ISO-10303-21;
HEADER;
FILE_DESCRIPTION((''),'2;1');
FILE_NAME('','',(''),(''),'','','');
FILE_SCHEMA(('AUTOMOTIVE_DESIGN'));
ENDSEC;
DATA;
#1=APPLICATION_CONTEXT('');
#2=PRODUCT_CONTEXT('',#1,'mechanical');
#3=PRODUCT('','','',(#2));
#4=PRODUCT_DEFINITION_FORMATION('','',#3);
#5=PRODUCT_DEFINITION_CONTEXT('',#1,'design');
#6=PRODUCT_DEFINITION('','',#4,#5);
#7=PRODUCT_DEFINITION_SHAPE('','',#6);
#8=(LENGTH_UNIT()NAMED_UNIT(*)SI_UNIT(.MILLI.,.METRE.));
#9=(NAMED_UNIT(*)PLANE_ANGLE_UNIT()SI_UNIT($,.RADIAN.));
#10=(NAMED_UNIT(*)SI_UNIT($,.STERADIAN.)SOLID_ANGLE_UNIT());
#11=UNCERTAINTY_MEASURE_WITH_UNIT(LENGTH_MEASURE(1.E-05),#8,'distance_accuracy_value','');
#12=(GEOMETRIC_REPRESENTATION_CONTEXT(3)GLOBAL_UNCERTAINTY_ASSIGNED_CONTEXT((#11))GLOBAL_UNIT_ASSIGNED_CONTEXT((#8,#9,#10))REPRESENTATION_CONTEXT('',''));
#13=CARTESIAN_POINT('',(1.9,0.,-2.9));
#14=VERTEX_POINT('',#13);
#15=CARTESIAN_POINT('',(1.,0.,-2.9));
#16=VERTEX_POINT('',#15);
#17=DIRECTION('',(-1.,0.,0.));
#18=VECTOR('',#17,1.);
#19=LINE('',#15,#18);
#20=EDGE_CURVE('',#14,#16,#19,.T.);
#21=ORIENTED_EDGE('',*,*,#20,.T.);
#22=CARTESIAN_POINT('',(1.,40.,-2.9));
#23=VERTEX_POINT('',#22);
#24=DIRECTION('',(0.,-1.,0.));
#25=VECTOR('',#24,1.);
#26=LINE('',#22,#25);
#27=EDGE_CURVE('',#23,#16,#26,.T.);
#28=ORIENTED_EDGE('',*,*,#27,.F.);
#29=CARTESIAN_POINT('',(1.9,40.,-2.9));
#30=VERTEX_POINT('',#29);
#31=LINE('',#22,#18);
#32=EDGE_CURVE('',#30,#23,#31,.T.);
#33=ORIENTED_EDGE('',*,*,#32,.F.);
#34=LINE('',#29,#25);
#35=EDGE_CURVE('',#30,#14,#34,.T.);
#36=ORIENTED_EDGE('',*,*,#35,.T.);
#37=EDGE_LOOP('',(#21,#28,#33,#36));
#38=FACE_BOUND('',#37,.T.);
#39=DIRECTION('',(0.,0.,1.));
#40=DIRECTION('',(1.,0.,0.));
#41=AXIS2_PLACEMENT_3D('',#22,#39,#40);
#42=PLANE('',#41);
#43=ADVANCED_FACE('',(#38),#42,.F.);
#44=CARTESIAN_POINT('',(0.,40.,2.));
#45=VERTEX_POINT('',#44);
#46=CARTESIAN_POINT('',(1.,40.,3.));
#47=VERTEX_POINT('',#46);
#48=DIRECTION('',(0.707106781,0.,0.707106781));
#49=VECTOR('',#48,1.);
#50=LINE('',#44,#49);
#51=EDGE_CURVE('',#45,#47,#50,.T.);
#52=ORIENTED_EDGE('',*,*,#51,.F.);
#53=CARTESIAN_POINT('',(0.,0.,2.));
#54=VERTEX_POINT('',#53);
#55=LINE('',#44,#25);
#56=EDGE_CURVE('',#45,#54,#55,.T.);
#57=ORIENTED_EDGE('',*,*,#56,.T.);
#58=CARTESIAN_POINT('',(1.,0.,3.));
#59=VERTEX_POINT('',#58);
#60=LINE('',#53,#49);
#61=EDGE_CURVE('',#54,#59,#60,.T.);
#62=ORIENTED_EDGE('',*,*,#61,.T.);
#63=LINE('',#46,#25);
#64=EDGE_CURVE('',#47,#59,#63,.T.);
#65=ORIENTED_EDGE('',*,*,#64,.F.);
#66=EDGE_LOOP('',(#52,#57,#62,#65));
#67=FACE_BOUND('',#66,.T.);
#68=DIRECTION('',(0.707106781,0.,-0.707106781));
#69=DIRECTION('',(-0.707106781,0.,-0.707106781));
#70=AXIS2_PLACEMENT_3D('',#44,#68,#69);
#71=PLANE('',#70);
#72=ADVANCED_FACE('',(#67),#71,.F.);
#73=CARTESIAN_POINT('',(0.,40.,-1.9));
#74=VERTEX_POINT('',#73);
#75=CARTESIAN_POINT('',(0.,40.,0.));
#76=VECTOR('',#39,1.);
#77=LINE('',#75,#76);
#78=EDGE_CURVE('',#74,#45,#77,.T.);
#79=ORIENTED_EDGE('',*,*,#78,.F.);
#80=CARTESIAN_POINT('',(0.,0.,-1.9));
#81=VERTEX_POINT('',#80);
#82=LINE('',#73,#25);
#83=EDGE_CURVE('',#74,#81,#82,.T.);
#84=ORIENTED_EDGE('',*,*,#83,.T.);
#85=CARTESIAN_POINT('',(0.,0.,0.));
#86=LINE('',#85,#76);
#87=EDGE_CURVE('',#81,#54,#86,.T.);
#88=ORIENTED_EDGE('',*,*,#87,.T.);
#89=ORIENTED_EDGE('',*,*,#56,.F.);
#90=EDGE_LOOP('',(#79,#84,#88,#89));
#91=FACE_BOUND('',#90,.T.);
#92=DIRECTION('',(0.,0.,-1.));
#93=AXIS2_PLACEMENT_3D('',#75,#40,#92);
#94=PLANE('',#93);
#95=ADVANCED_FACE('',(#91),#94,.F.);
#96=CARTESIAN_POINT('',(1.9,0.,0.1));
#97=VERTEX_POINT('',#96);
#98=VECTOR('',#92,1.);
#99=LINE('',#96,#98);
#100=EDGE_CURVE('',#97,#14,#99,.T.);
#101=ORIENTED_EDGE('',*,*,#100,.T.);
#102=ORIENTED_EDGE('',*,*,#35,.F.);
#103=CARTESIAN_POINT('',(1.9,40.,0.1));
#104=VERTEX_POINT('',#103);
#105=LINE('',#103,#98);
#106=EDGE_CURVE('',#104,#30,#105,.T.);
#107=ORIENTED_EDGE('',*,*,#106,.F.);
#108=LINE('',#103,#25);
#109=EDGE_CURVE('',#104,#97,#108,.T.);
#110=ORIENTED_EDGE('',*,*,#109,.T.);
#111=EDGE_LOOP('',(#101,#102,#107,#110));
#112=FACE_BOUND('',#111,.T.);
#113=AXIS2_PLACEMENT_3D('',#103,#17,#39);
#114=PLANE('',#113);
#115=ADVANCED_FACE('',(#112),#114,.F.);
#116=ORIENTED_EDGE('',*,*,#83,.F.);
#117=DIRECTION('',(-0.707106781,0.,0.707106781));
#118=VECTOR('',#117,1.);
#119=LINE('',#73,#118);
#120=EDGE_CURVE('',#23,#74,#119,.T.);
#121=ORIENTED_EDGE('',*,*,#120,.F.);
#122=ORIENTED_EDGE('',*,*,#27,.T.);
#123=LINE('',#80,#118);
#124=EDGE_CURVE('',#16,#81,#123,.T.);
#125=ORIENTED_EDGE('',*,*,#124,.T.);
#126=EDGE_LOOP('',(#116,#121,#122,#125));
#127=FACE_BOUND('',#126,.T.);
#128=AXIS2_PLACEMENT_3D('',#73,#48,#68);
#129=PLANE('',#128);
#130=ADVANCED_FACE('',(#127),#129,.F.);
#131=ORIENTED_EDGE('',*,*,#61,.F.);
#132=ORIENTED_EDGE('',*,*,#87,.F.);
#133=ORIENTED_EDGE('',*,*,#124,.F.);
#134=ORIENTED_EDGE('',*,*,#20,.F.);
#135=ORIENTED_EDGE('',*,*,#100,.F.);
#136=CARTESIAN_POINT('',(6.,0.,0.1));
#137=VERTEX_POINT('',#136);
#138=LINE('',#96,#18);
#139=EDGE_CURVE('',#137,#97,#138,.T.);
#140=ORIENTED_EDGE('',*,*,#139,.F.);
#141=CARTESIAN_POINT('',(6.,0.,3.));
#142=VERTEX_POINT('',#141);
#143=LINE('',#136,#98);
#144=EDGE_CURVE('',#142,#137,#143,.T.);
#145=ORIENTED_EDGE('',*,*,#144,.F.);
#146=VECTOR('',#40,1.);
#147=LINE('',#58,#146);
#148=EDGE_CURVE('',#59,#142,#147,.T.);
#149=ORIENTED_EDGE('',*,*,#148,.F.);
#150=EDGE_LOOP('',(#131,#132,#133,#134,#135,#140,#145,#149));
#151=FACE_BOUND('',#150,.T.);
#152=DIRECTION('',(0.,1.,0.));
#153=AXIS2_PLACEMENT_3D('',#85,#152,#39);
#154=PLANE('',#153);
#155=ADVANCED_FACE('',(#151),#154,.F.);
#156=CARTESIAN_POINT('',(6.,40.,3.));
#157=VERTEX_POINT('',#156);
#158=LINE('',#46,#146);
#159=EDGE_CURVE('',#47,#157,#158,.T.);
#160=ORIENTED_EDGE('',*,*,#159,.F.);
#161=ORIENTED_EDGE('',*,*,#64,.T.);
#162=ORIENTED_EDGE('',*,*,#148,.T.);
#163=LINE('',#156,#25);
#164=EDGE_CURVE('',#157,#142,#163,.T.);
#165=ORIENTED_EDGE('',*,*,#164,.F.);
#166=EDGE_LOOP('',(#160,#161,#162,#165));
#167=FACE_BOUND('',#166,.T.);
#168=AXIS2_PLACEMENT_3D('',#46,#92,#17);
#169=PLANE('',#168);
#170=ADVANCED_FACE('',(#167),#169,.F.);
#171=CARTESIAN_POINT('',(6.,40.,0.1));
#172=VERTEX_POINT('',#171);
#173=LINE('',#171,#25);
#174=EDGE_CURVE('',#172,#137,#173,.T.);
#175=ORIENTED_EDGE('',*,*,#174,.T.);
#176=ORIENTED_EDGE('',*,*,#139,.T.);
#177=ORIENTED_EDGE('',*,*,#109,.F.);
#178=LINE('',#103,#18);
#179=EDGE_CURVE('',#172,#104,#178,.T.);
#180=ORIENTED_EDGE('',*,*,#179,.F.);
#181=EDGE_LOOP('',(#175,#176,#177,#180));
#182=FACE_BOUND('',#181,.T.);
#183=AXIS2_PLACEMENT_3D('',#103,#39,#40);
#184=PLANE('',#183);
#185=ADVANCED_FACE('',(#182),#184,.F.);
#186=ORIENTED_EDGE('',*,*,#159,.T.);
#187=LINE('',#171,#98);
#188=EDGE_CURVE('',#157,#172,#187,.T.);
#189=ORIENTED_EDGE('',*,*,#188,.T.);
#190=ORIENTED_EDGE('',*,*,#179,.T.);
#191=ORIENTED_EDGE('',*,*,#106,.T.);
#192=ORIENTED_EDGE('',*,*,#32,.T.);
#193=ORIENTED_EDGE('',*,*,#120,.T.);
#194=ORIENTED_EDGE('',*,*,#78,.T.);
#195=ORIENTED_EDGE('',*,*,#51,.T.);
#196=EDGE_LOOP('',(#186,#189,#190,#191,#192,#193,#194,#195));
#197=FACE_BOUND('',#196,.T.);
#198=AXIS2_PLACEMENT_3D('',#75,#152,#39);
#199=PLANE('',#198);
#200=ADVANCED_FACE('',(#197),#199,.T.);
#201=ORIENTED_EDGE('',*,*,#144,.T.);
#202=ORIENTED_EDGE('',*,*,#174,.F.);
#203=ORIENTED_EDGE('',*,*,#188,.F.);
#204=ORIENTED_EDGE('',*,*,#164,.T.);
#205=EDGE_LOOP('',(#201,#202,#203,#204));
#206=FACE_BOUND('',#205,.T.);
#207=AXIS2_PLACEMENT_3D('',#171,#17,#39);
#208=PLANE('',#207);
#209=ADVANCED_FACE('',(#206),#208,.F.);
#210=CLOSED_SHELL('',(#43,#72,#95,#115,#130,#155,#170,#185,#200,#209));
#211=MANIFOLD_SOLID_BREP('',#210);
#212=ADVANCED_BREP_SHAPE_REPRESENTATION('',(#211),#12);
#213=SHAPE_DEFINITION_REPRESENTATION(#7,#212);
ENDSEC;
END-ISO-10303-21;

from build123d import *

# Parameters (mm, degrees)
BOSS_EXTRUDE1_DEPTH = 40


with BuildPart() as part:
    # Sketch1 → Boss-Extrude1 (new body)
    with BuildSketch(Plane(origin=(0, 0, 0), x_dir=(1, 0, 0), z_dir=(0, 1, 0))):
        Polygon((0, -2), (1, -3), (6, -3), (6, -0.1), (1.9, -0.1), (1.9, 2.9), (1, 2.9), (0, 1.9), (0, 0), align=None)
    extrude(amount=BOSS_EXTRUDE1_DEPTH)


solid = part.part
